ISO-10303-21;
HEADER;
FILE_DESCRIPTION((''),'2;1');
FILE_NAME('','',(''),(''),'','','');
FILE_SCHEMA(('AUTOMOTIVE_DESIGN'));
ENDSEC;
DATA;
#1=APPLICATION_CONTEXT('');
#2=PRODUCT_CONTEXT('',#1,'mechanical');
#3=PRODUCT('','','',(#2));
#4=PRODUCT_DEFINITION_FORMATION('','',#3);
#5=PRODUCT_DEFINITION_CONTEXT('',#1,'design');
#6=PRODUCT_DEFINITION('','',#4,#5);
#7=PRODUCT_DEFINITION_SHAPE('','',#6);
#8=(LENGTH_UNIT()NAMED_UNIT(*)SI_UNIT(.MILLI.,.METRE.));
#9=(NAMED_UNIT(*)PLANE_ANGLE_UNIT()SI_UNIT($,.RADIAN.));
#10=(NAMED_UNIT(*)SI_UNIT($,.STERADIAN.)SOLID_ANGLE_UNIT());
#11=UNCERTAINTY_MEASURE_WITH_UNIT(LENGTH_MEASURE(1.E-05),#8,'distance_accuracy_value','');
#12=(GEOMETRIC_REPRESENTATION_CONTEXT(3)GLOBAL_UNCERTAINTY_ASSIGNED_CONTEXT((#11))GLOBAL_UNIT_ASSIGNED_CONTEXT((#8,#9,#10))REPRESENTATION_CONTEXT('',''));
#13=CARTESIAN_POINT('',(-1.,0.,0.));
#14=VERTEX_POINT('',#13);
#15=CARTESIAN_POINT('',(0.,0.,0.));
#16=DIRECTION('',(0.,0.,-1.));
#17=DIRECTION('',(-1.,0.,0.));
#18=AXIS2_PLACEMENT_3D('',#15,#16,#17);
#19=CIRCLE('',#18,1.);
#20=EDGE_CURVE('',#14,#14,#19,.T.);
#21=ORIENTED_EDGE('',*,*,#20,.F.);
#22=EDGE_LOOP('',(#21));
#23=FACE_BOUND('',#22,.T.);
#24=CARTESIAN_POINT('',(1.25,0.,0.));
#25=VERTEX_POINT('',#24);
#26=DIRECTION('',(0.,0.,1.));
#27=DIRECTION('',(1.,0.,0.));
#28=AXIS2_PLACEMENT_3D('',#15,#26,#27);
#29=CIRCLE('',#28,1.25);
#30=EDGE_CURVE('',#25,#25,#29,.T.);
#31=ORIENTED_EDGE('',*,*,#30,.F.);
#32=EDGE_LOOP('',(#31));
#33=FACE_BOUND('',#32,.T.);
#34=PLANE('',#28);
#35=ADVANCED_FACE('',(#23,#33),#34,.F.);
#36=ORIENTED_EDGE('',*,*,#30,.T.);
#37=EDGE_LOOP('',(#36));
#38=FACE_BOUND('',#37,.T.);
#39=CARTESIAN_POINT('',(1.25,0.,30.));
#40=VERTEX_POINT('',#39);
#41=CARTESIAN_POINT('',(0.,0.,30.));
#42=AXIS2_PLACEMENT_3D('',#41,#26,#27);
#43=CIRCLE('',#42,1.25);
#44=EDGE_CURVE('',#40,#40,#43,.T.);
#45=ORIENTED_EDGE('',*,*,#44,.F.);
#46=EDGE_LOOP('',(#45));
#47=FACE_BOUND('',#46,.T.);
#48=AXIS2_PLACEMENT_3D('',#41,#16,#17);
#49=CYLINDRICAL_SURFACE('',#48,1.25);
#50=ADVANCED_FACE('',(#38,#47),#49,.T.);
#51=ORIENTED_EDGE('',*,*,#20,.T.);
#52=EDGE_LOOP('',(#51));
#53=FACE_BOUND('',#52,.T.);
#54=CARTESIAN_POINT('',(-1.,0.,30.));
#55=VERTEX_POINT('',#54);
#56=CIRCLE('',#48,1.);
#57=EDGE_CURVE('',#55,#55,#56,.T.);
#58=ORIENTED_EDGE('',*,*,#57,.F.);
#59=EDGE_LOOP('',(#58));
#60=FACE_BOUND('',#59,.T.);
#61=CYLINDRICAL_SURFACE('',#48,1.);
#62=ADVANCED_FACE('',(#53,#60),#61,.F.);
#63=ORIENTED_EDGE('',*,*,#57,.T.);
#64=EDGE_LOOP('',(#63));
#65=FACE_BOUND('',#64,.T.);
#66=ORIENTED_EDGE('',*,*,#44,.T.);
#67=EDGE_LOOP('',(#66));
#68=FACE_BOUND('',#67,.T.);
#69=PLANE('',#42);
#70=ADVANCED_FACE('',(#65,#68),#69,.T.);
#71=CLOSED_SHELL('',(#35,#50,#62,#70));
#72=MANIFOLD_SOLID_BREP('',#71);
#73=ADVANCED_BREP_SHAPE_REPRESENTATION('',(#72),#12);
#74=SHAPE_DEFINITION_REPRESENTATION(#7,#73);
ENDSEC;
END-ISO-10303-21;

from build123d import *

# Parameters (mm, degrees)
SKETCH1_R           = 1.25
BOSS_EXTRUDE1_DEPTH = 30
SKETCH4_R           = 1
CUT_EXTRUDE1_DEPTH  = 30


with BuildPart() as part:
    # Sketch1 → Boss-Extrude1 (new body)
    with BuildSketch(Plane.XY):
        Circle(SKETCH1_R)
    extrude(amount=BOSS_EXTRUDE1_DEPTH)

    # Sketch4 → Cut-Extrude1 (cut)
    with BuildSketch(Plane(origin=(0, 0, 0), x_dir=(-1, 0, 0), z_dir=(0, 0, -1))):
        Circle(SKETCH4_R)
    extrude(amount=-CUT_EXTRUDE1_DEPTH, mode=Mode.SUBTRACT)


solid = part.part
